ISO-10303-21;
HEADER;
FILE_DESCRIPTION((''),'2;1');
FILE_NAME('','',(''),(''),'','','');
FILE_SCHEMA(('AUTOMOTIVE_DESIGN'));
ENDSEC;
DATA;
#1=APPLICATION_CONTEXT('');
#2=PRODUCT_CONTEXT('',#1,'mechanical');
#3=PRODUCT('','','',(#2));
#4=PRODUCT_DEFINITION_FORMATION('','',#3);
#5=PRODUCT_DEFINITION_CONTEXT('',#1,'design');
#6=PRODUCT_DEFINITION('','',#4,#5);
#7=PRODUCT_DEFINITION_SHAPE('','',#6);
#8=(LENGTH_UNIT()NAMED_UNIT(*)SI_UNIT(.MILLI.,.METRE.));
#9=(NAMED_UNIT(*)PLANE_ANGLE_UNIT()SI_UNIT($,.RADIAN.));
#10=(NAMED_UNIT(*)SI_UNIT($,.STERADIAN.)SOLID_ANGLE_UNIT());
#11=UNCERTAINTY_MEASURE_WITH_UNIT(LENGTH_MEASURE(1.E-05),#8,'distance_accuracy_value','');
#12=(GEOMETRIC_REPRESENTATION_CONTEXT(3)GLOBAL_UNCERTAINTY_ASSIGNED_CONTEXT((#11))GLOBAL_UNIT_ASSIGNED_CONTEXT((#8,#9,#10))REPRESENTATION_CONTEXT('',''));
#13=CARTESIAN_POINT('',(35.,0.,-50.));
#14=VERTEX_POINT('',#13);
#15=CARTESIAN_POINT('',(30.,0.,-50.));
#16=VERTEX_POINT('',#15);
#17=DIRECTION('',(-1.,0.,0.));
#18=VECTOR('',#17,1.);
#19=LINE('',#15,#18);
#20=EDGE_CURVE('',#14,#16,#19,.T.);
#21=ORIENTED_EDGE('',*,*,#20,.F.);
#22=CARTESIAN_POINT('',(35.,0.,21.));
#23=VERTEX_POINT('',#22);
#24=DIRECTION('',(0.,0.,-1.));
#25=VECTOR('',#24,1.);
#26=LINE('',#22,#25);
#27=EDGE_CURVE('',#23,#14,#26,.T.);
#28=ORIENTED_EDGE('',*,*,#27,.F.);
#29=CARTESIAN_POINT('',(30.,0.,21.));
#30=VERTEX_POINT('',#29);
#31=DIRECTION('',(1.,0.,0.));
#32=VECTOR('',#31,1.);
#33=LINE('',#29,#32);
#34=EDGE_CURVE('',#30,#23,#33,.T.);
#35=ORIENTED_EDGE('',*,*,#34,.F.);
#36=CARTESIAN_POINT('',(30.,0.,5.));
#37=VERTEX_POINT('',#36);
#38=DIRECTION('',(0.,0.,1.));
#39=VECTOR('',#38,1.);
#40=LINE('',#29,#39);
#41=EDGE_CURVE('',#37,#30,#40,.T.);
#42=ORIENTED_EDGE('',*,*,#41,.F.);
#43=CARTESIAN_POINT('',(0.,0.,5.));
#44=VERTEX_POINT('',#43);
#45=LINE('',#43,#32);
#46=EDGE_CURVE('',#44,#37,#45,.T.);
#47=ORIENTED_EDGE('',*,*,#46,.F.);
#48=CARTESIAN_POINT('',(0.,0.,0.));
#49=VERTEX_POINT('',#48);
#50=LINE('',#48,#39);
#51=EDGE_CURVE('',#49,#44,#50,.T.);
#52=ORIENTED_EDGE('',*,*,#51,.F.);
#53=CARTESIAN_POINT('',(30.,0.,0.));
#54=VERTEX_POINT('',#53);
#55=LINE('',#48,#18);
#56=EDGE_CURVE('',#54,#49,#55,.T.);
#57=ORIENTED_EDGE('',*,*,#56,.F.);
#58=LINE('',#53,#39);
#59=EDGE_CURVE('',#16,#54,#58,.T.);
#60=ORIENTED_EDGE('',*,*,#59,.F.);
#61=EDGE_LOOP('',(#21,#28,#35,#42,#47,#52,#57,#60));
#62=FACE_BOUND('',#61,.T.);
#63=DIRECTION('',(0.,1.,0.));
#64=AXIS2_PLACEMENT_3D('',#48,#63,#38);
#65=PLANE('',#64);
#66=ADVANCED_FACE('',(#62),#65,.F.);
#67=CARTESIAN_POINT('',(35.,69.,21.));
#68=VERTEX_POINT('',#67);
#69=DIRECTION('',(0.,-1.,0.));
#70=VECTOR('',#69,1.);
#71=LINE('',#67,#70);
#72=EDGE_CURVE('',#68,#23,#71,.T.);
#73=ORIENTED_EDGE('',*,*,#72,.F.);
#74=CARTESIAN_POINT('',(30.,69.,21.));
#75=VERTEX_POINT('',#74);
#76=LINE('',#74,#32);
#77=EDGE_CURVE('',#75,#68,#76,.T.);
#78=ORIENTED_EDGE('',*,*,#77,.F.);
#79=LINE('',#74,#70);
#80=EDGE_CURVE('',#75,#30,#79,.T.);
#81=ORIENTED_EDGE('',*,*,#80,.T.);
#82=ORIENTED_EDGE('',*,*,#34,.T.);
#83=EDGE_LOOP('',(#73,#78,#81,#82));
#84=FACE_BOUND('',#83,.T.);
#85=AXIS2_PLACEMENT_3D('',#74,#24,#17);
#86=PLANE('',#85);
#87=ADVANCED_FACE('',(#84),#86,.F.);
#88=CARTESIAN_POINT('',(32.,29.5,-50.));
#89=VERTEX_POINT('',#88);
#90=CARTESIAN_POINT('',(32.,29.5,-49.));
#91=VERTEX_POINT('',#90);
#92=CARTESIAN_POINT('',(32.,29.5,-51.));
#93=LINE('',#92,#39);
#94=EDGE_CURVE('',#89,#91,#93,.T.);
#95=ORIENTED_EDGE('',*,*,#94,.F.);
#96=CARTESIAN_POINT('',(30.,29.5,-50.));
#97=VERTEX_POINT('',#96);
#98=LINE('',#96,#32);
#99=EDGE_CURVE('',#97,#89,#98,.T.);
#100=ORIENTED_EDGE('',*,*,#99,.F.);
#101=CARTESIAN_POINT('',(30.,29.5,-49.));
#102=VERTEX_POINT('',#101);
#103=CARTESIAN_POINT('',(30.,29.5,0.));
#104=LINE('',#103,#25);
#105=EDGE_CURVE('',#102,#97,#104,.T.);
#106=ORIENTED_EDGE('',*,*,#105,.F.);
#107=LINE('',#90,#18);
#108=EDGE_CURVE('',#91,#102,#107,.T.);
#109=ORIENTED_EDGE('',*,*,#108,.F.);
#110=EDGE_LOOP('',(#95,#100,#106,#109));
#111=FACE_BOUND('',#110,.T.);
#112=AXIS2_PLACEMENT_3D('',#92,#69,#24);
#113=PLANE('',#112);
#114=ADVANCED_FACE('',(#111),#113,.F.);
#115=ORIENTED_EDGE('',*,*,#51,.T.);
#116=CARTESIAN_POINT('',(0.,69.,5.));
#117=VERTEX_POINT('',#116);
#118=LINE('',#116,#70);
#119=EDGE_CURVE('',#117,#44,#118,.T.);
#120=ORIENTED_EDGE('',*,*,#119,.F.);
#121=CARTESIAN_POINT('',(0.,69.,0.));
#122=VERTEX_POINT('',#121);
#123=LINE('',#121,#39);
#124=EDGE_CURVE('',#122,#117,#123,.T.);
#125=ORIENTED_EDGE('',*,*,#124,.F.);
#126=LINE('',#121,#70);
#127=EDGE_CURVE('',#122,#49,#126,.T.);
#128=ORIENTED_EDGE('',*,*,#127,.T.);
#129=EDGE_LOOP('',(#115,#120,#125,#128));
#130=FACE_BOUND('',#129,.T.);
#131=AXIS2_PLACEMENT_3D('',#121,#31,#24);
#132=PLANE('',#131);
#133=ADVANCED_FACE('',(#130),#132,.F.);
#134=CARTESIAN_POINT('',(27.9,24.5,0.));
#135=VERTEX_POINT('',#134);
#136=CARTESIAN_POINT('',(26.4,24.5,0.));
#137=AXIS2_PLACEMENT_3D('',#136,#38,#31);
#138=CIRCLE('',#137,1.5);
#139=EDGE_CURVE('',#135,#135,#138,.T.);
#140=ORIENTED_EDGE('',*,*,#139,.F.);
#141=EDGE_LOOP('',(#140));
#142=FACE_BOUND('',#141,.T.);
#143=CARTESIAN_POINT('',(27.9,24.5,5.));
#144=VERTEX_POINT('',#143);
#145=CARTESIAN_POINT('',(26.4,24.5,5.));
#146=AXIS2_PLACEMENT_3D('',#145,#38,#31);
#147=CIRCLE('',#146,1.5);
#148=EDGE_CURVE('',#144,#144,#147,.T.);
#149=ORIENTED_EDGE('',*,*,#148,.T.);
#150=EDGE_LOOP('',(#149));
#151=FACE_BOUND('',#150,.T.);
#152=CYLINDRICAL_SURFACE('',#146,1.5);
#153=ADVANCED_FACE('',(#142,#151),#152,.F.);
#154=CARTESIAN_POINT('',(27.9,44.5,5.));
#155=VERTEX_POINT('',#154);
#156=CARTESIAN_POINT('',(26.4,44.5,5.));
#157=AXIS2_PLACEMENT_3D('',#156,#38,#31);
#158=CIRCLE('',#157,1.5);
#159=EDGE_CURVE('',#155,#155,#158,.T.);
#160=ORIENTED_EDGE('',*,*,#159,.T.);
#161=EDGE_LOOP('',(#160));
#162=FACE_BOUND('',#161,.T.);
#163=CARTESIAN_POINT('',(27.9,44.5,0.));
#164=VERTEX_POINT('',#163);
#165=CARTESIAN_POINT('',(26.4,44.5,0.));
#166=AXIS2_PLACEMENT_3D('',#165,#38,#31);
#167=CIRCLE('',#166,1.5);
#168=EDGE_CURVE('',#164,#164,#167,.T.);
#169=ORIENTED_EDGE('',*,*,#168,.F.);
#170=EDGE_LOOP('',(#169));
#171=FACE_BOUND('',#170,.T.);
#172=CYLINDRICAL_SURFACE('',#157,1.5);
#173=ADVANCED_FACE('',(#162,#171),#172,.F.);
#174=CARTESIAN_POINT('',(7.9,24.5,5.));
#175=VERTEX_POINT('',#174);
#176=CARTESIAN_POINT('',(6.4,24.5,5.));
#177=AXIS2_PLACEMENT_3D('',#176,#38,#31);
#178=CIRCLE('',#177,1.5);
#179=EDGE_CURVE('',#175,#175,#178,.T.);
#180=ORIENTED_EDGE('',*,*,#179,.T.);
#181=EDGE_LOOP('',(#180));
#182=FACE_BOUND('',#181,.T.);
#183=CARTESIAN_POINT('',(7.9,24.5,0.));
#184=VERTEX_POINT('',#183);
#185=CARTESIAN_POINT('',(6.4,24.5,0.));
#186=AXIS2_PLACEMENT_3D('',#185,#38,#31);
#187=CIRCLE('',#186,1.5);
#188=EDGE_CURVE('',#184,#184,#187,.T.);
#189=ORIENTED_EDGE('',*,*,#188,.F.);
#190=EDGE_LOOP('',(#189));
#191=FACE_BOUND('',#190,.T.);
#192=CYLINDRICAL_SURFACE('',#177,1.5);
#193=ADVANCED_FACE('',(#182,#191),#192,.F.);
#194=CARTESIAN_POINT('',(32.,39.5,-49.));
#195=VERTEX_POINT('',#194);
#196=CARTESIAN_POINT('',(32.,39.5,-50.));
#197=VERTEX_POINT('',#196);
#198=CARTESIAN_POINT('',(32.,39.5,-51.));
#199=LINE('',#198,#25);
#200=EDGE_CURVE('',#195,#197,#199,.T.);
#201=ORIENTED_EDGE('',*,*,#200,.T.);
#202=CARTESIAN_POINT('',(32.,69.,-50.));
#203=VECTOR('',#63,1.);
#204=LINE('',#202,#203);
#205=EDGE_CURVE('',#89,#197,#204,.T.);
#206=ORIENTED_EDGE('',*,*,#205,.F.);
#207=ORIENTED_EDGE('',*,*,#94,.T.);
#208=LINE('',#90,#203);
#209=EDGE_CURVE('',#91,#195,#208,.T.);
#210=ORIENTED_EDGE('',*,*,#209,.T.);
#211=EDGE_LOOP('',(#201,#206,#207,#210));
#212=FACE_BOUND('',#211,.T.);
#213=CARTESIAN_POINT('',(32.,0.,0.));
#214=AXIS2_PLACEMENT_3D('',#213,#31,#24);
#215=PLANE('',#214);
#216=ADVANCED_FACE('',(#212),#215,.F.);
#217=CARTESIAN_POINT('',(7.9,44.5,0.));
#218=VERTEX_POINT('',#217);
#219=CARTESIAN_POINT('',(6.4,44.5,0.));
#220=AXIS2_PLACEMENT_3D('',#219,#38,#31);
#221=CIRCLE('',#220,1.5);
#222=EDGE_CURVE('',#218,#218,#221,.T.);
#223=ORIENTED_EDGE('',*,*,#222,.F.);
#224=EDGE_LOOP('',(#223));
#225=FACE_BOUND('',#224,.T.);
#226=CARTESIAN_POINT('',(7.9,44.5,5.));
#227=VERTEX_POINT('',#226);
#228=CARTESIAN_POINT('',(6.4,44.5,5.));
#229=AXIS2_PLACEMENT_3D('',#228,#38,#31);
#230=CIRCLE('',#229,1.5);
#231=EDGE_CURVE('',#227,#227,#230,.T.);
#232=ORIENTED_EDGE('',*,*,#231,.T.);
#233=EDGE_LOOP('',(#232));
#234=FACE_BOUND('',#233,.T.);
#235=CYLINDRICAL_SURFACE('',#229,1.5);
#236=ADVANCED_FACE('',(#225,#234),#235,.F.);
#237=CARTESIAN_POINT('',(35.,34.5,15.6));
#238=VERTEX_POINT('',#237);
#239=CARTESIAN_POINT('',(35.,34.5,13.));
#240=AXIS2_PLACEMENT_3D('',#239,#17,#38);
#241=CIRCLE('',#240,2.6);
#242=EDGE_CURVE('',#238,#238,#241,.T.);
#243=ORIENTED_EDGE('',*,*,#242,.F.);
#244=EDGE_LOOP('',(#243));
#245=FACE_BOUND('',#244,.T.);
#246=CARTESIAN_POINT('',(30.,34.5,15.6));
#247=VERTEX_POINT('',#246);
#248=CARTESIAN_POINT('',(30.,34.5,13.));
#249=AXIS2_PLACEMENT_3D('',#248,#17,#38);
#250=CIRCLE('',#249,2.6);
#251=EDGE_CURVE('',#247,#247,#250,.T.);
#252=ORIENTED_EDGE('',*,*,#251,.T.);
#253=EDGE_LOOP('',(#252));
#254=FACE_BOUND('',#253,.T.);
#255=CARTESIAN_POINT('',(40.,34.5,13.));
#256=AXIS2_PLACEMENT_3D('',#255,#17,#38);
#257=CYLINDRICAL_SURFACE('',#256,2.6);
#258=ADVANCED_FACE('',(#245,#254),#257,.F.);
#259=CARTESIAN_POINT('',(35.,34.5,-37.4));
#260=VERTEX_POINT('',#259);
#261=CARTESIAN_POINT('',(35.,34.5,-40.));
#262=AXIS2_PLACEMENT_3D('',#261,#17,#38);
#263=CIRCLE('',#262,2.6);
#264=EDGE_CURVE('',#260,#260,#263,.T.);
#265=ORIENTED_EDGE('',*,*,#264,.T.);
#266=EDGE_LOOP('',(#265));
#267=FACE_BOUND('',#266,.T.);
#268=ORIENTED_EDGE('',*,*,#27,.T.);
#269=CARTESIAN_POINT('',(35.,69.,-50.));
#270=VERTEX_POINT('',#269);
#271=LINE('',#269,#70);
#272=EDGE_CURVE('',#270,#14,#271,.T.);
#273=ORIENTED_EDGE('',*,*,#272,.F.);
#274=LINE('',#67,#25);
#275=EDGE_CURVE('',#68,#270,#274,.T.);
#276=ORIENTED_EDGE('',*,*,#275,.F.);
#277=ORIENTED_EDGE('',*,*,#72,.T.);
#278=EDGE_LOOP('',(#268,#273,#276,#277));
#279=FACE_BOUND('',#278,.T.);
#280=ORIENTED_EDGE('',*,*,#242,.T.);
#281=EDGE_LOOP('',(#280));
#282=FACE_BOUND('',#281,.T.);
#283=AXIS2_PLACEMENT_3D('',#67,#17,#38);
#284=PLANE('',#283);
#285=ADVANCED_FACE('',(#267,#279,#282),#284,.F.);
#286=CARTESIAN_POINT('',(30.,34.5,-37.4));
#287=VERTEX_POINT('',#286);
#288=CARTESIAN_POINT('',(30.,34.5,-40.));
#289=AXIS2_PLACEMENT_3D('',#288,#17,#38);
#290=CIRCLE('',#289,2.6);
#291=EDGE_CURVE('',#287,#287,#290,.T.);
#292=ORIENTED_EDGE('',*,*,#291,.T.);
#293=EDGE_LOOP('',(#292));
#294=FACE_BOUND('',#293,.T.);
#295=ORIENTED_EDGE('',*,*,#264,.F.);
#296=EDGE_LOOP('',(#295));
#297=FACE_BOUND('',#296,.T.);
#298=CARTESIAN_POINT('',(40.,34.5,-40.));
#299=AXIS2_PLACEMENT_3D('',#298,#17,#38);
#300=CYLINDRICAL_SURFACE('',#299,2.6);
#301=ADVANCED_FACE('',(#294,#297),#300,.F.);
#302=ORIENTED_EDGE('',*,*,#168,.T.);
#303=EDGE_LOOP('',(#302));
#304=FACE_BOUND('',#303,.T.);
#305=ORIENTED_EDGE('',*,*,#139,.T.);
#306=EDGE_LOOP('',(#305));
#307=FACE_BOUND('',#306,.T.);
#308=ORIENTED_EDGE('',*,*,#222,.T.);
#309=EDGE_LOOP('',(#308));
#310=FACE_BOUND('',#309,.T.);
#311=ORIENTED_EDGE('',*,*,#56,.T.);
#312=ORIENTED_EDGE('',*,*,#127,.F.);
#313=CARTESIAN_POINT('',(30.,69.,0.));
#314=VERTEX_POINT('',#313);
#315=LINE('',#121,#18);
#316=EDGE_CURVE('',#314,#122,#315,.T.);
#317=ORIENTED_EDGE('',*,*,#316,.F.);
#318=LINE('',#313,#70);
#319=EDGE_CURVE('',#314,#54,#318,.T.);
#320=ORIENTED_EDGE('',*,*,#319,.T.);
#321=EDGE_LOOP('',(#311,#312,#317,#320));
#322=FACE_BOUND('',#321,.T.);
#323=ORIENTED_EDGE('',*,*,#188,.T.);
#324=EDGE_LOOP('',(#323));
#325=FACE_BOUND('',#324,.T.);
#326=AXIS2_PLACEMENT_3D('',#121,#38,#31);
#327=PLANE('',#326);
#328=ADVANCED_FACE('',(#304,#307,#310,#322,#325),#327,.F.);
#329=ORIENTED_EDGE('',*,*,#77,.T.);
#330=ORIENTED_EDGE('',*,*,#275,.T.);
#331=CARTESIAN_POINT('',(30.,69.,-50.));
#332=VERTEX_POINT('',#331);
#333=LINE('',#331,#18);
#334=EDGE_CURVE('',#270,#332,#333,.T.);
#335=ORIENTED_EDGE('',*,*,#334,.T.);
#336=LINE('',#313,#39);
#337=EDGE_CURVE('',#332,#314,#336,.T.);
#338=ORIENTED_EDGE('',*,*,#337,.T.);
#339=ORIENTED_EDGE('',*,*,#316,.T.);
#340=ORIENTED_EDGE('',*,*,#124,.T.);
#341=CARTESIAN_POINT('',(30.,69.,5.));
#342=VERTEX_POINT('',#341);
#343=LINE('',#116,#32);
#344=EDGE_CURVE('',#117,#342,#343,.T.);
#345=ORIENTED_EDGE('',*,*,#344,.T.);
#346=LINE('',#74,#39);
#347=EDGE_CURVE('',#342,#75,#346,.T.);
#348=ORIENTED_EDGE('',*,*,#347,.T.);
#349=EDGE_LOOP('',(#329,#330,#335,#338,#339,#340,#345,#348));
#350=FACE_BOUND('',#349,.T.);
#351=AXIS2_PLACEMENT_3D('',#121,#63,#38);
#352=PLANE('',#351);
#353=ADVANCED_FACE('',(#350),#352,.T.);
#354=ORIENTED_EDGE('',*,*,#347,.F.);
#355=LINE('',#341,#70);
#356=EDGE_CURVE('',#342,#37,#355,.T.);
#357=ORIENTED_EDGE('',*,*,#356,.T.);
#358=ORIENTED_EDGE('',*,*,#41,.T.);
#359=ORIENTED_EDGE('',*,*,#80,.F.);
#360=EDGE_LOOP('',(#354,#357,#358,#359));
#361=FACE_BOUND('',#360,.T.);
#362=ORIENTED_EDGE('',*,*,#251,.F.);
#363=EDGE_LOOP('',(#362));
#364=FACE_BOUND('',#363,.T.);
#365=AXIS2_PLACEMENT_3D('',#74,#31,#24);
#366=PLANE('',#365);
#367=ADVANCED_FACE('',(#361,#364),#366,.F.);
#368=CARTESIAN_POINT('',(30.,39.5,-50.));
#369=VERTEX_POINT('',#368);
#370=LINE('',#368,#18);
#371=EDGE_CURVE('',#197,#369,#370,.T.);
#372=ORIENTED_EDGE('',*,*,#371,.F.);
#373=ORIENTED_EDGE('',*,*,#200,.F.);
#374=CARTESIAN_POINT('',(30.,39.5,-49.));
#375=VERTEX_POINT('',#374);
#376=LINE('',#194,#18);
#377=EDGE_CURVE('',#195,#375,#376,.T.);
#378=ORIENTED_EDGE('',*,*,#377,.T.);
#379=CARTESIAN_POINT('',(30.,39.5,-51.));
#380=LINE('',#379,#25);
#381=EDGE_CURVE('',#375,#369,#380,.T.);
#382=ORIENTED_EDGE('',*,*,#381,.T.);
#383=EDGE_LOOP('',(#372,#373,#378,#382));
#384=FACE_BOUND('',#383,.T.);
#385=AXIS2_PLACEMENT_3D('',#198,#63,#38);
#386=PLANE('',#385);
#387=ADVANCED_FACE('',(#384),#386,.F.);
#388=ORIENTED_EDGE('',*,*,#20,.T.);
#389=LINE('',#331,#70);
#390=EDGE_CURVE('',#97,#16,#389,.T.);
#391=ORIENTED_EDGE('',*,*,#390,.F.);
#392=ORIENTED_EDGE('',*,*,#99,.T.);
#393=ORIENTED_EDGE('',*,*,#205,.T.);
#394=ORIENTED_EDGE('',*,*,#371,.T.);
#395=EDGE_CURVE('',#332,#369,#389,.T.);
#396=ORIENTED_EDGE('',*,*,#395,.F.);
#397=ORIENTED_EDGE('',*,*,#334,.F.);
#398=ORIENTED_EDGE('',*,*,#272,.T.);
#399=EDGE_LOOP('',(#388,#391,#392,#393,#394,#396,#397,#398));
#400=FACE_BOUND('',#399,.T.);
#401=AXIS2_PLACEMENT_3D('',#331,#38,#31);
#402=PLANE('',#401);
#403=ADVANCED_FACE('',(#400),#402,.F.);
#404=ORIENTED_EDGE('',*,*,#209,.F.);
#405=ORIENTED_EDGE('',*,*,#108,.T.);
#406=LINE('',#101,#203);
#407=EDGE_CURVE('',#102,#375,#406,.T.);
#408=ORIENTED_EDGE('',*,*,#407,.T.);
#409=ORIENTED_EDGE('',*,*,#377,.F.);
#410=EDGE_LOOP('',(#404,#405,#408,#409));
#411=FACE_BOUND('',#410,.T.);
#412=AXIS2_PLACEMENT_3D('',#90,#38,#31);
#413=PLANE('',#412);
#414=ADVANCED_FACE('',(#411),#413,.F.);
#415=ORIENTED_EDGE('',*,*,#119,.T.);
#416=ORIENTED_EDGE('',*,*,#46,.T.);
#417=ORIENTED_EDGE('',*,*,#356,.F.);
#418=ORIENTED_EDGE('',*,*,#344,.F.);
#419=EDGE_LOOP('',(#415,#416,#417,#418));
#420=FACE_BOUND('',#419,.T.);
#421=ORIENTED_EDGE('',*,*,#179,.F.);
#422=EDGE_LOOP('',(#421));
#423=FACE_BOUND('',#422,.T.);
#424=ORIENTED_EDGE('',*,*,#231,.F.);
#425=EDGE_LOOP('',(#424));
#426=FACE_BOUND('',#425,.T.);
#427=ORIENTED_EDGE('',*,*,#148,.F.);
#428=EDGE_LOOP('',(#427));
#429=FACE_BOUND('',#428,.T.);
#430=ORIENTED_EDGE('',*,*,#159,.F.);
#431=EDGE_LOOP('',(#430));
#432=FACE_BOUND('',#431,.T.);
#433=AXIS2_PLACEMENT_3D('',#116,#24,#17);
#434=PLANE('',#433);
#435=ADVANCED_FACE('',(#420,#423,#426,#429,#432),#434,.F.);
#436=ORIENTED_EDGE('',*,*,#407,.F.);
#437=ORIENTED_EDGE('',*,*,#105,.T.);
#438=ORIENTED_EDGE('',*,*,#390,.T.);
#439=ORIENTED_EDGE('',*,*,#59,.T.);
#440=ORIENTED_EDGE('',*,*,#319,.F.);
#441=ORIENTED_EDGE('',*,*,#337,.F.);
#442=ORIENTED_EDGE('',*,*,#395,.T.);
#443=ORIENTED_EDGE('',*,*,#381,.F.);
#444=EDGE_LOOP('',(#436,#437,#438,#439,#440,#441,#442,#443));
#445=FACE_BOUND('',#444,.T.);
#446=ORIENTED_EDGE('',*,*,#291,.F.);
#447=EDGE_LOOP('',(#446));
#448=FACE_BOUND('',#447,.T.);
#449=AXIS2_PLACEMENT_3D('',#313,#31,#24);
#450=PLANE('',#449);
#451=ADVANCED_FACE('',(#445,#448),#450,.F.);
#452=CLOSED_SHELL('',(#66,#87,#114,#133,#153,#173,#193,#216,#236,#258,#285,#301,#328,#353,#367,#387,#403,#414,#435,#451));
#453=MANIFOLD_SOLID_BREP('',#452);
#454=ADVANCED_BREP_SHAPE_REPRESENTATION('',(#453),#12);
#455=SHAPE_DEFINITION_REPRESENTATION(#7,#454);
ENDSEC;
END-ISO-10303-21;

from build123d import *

# Parameters (mm, degrees)
EXTRUDE_1_DEPTH     = 69
HOLE_WIZARD_1_D     = 3
SKETCH_5_R          = 2.6
CUT_EXTRUDE_1_DEPTH = 10
SKETCH_6_R          = 2.6
CUT_EXTRUDE_2_DEPTH = 10
SKETCH_8_W          = 2
SKETCH_8_H          = 10
CUT_EXTRUDE_4_DEPTH = 2


with BuildPart() as part:
    # 草图1 → 凸台-拉伸1 (new body)
    with BuildSketch(Plane(origin=(0, 0, 0), x_dir=(1, 0, 0), z_dir=(0, 1, 0))):
        Polygon((30, 0), (30, 50), (35, 50), (35, -21), (30, -21), (30, -5), (0, -5), (0, 0), align=None)
    extrude(amount=EXTRUDE_1_DEPTH)

    # 孔1 (through all)
    with Locations(Plane.XY.offset(5)):
        with Locations((26.4, 44.5), (26.4, 24.5), (6.4, 44.5), (6.4, 24.5)):
            Hole(HOLE_WIZARD_1_D / 2)

    # 草图5 → 切除-拉伸1 (cut)
    with BuildSketch(Plane.ZY.offset(-30)):
        with Locations((13, 34.5)):
            Circle(SKETCH_5_R)
    extrude(amount=-CUT_EXTRUDE_1_DEPTH, mode=Mode.SUBTRACT)

    # 草图6 → 切除-拉伸2 (cut)
    with BuildSketch(Plane.ZY.offset(-30)):
        with Locations((-40, 34.5)):
            Circle(SKETCH_6_R)
    extrude(amount=-CUT_EXTRUDE_2_DEPTH, mode=Mode.SUBTRACT)

    # 草图8 → 切除-拉伸4 (cut)
    with BuildSketch(Plane.ZY.offset(-30)):
        with Locations((-50, 34.5)):
            Rectangle(SKETCH_8_W, SKETCH_8_H)
    extrude(amount=-CUT_EXTRUDE_4_DEPTH, mode=Mode.SUBTRACT)


solid = part.part
